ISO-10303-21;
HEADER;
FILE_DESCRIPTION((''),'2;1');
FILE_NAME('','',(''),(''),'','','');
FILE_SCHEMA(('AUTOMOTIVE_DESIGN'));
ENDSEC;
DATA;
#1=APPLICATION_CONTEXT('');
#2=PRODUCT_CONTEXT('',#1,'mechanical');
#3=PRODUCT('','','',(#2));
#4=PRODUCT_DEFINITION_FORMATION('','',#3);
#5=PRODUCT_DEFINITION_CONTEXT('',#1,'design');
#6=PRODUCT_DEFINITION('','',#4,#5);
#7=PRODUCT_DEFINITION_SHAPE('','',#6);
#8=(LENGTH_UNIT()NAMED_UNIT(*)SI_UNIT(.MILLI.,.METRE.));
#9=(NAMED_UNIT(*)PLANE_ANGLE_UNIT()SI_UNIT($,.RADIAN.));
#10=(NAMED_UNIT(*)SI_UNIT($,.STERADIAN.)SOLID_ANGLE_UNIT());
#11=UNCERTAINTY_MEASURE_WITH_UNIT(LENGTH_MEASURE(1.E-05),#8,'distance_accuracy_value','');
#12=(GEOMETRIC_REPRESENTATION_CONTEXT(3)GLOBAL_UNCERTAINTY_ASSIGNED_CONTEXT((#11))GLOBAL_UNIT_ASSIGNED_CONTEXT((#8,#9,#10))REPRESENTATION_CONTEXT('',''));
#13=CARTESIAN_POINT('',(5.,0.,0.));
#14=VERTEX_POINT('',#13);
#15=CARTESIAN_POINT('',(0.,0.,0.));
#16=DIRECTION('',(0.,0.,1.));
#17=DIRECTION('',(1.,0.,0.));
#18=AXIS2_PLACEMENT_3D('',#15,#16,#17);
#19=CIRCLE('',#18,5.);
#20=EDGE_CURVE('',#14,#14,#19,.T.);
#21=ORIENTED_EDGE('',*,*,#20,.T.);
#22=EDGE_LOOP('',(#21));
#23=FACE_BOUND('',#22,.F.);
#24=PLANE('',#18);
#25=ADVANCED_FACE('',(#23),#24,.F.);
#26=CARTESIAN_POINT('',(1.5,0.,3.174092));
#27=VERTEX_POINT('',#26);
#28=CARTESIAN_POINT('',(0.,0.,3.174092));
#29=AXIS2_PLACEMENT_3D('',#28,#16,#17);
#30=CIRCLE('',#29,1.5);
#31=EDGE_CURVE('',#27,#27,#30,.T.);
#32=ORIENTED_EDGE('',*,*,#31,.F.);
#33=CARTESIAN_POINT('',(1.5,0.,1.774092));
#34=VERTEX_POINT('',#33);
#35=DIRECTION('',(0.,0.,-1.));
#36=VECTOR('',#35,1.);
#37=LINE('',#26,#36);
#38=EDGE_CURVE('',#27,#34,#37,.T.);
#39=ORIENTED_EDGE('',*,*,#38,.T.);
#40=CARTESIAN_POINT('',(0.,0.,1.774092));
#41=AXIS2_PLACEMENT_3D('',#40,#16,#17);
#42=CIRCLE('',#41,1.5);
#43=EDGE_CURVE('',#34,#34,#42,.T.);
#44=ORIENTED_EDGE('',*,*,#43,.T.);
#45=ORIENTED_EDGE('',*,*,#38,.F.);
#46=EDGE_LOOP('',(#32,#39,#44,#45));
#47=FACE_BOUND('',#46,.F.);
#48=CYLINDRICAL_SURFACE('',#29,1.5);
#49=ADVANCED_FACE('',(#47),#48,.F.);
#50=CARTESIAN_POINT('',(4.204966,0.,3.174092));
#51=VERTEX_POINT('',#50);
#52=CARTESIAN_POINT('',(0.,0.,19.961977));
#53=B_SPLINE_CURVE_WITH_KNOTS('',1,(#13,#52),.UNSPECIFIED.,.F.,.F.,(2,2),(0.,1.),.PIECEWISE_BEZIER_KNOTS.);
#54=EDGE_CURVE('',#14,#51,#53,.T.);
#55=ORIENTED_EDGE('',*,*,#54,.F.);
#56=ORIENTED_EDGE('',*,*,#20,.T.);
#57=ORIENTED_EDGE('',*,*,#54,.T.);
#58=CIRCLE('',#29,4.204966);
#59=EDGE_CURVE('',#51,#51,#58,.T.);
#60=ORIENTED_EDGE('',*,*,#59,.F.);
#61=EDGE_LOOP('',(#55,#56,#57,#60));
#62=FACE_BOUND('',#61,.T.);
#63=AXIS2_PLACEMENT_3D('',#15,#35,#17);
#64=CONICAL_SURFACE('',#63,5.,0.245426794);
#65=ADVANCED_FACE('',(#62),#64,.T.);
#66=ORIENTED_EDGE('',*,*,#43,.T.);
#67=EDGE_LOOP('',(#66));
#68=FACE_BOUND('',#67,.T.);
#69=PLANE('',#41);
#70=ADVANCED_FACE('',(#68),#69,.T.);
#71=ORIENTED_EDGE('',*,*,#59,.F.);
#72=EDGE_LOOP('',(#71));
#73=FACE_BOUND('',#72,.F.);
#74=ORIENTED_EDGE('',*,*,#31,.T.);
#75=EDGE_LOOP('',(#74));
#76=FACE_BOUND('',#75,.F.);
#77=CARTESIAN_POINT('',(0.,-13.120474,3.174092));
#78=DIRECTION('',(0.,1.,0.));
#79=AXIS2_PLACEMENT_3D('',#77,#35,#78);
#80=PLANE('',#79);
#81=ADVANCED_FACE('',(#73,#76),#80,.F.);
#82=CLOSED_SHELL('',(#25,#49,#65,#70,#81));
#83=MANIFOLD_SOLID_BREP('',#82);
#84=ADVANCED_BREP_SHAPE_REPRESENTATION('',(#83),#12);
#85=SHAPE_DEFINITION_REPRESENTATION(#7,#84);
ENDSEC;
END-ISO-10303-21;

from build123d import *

# Parameters (mm, degrees)
F0_R     = 5
F3_W     = 26.240948
F3_H     = 20
F4_DEPTH = 12.5
F5_R     = 1.5
F6_DEPTH = 1.4


with BuildPart() as f2:
    # F0 (on Top) → F2 section 0
    with BuildSketch(Plane.XY, mode=Mode.PRIVATE) as f2_s0:
        Circle(F0_R)
    loft([f2_s0.sketch, Vertex(0, 0, 19.961977)])

    # F3 (on Right) → F4 (cut, symmetric)
    with BuildSketch(Plane.YZ):
        with Locations((0, 13.174092)):
            Rectangle(F3_W, F3_H)
    extrude(amount=F4_DEPTH, both=True, mode=Mode.SUBTRACT)

    # F5 (on face) → F6 (cut)
    with BuildSketch(Plane.XY.offset(3.174092)):
        Circle(F5_R)
    extrude(amount=-F6_DEPTH, mode=Mode.SUBTRACT)


solid = f2.part
